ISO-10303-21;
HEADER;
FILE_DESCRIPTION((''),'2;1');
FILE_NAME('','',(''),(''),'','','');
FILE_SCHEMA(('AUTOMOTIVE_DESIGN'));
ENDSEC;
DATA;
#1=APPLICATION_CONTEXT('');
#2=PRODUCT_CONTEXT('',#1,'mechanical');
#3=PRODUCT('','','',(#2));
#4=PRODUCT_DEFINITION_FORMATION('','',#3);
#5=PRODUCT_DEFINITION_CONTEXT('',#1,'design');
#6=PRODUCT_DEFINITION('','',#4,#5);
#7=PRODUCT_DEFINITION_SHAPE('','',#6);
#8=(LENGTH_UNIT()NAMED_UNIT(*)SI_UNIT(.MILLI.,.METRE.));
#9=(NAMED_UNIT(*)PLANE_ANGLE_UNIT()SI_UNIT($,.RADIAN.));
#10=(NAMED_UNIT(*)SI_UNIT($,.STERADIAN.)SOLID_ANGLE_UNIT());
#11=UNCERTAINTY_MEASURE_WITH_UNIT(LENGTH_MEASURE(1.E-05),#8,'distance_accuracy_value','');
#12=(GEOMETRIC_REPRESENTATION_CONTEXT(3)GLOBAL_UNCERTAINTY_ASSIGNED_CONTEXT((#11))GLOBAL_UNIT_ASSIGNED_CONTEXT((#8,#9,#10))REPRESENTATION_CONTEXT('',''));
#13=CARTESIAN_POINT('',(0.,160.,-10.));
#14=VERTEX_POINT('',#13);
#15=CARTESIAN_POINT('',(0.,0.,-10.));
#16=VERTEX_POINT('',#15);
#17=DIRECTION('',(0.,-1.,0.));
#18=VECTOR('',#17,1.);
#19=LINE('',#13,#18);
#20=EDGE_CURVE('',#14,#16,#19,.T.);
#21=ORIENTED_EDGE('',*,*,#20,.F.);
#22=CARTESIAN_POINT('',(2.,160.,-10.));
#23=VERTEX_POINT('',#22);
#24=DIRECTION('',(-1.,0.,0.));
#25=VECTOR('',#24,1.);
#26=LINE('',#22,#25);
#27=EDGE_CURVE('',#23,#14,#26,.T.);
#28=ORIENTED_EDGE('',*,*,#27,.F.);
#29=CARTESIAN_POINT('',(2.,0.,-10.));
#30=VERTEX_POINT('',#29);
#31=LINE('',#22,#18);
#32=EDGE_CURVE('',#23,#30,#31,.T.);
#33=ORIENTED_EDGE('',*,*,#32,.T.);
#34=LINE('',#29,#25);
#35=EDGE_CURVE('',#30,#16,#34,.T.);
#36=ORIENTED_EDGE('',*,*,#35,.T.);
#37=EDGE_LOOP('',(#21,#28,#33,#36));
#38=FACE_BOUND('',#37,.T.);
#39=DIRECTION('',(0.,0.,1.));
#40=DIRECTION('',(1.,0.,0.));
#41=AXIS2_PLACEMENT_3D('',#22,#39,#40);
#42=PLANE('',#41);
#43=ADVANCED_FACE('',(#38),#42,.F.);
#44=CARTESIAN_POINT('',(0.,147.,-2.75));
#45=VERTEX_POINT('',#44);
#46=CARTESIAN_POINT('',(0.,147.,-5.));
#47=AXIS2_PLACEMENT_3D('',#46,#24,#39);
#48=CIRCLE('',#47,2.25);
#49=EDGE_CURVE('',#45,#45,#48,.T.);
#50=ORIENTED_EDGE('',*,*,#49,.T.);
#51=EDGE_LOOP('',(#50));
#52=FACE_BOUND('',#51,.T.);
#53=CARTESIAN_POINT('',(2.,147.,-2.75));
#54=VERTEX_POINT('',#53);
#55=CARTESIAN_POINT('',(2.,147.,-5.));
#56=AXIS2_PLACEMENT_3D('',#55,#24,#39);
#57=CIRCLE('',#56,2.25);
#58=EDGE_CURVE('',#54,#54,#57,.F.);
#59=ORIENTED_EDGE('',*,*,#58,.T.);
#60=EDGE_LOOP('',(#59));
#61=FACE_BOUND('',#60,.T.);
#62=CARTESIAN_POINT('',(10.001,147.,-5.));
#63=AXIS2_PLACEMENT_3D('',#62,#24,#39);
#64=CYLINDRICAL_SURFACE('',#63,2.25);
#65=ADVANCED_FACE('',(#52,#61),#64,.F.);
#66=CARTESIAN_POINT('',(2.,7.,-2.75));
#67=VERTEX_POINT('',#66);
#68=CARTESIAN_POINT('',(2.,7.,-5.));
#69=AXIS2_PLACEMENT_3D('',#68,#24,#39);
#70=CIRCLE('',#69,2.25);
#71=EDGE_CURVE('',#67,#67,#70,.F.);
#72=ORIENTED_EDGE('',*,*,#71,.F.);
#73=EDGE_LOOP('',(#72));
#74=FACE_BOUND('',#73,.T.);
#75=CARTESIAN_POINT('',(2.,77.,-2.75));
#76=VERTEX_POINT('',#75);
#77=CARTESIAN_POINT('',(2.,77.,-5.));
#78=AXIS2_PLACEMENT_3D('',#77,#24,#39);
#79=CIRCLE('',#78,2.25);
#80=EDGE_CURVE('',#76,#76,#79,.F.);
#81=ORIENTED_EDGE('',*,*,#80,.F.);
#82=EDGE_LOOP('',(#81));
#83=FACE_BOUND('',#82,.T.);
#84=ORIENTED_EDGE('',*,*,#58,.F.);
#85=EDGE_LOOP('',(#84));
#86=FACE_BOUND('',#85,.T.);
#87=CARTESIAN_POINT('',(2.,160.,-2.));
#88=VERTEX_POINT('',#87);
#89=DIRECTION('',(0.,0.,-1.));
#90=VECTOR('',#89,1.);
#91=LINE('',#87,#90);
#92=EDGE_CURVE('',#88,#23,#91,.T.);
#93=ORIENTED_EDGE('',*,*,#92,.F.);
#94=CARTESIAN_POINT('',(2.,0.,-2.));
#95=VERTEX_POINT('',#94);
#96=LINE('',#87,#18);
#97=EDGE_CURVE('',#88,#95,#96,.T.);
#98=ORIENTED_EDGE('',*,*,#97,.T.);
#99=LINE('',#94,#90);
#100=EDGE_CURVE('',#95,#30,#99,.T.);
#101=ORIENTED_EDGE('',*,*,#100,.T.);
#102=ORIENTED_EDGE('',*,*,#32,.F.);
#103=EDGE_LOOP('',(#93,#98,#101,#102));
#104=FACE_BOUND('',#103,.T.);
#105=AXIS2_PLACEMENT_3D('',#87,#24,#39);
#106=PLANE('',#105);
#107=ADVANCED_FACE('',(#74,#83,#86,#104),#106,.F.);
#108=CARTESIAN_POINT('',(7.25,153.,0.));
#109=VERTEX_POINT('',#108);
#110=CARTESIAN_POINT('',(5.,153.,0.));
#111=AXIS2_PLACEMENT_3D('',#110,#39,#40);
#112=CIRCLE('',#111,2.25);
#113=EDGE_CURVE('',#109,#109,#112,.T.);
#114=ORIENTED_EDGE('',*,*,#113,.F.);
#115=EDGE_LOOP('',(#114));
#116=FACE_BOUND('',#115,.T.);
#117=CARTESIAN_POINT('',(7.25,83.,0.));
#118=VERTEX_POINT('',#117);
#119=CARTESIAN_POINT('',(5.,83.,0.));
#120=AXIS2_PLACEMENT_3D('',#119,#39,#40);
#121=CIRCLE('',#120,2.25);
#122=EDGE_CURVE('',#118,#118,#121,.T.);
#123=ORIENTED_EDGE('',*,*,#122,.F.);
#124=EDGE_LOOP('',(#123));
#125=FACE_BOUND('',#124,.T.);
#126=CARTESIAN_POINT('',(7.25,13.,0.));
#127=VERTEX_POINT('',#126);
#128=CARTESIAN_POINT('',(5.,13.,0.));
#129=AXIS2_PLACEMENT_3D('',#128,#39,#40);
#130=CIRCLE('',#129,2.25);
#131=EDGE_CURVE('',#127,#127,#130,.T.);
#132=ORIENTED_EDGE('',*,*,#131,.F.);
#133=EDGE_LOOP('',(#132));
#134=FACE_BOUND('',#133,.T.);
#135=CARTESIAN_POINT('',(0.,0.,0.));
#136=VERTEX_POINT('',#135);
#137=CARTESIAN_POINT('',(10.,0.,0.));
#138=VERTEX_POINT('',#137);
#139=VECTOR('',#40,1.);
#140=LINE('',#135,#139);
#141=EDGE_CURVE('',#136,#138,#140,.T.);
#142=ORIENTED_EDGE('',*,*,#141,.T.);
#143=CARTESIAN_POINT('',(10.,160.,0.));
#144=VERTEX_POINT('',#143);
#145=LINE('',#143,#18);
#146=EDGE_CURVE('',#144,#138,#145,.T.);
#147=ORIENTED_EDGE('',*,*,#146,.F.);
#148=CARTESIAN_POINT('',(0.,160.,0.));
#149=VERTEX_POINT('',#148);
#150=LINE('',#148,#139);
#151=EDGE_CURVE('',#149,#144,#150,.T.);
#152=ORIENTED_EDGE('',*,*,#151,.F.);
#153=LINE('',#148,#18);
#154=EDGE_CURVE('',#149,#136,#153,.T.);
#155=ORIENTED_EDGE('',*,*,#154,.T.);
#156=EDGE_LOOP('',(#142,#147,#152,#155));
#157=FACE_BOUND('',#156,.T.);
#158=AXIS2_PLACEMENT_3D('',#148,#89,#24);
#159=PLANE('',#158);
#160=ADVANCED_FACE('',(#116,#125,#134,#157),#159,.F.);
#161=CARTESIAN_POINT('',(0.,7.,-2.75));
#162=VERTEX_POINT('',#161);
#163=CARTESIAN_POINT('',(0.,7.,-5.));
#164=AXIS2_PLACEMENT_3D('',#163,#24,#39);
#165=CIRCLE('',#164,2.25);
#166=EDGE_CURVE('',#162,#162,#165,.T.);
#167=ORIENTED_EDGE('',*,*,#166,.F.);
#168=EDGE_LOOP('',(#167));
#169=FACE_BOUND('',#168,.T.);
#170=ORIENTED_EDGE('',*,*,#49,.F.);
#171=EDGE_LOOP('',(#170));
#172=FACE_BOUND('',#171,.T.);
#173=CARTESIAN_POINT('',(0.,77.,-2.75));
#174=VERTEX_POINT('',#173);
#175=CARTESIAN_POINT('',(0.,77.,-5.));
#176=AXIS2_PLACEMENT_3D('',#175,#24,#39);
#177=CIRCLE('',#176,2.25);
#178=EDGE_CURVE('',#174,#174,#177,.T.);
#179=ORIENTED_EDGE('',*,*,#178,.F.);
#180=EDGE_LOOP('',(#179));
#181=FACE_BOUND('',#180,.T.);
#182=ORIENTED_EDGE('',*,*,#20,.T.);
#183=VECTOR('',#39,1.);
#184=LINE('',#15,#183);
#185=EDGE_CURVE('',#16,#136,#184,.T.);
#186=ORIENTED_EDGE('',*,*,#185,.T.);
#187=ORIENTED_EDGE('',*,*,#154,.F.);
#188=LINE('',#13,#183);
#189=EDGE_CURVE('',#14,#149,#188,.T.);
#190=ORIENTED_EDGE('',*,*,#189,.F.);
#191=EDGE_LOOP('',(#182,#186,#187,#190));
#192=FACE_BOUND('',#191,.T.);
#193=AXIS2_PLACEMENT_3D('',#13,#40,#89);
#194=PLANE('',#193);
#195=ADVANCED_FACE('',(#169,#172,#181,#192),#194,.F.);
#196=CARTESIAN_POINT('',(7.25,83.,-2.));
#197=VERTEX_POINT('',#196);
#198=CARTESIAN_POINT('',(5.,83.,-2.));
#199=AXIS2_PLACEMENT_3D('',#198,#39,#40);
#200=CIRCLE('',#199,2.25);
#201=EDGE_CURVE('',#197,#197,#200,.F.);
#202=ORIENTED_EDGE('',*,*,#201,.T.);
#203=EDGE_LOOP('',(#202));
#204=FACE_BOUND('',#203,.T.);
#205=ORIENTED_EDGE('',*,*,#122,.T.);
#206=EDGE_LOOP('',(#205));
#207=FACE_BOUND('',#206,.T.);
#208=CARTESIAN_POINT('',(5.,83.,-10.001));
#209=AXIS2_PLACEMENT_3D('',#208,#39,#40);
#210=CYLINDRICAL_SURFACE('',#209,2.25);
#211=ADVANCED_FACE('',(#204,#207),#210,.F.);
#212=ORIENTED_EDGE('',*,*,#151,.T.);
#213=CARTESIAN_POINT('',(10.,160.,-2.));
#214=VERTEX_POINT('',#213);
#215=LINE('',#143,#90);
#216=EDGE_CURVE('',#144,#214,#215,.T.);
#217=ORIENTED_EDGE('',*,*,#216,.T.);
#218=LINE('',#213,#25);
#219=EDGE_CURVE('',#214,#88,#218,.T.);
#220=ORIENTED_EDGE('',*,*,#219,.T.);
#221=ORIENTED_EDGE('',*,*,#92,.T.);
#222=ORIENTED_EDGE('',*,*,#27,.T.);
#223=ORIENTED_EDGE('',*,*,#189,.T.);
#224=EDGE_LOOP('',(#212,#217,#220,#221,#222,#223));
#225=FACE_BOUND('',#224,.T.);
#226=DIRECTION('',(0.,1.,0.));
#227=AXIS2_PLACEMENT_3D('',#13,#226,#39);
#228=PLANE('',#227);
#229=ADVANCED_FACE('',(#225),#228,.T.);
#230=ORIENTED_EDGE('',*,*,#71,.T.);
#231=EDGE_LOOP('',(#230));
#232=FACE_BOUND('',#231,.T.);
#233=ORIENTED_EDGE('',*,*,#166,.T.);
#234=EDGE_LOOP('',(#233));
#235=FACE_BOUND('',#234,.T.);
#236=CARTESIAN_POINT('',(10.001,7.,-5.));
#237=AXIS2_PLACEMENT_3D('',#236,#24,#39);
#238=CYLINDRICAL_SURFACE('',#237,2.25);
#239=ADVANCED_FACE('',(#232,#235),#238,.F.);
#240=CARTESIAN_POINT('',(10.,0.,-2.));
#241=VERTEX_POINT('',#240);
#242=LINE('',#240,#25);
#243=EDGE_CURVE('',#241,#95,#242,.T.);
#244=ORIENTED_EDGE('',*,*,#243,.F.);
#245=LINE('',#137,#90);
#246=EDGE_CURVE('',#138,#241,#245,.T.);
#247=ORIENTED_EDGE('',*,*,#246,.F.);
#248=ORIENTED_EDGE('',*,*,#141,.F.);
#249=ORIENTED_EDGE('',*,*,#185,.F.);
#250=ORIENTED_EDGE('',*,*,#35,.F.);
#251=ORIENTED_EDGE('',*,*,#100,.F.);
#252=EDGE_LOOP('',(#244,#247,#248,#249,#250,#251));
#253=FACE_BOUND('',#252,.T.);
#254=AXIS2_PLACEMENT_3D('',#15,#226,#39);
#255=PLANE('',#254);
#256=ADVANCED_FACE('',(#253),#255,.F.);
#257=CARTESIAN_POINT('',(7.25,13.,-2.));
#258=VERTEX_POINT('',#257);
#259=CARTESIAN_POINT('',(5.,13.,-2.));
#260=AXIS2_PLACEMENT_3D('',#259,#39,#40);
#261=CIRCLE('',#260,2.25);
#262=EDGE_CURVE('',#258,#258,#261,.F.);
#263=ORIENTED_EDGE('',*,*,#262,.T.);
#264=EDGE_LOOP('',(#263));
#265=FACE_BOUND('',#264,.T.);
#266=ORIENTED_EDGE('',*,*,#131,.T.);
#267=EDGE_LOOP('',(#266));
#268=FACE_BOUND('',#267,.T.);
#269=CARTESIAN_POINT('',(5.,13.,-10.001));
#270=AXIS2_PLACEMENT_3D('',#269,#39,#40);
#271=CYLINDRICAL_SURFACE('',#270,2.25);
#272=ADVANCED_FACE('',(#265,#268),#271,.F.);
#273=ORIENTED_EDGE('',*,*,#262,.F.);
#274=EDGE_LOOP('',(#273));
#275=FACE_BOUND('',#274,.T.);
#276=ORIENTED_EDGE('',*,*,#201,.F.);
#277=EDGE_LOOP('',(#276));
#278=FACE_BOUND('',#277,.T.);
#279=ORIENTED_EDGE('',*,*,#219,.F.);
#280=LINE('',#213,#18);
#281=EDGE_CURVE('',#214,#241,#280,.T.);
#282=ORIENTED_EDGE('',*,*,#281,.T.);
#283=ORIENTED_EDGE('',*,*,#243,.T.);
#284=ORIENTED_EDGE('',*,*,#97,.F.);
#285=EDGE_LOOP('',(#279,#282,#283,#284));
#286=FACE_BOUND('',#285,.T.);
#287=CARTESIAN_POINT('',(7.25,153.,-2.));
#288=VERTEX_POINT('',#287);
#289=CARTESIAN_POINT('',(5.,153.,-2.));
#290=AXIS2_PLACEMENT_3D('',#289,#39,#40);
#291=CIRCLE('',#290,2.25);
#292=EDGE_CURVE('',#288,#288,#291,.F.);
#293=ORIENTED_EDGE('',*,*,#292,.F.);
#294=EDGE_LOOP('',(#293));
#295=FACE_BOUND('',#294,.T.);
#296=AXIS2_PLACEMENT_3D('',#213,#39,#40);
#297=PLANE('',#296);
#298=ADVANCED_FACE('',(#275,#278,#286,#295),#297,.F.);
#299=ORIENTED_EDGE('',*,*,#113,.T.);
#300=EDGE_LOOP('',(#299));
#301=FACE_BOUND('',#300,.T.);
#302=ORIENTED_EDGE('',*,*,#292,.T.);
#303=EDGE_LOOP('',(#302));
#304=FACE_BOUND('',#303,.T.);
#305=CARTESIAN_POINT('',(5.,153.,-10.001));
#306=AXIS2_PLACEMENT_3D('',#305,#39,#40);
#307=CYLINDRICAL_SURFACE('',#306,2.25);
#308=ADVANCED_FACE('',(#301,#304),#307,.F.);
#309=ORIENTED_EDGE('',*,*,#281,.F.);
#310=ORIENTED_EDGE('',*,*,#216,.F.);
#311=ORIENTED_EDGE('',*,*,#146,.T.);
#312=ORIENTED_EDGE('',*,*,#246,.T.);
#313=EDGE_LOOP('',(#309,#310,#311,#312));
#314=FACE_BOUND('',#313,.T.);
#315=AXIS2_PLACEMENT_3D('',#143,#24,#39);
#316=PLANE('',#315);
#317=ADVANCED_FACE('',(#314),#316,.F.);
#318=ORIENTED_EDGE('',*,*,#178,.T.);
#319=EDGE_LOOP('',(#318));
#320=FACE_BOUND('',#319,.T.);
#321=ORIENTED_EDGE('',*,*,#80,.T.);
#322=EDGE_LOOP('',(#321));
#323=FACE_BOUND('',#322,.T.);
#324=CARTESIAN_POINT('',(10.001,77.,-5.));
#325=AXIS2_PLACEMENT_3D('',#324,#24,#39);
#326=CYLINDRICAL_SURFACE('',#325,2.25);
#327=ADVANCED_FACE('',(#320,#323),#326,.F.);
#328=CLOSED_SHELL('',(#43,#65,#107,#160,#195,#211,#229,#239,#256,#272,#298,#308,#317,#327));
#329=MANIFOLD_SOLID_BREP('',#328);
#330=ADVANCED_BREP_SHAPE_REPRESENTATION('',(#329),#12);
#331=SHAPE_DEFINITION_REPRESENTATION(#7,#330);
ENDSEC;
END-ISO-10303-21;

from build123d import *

# Parameters (mm, degrees)
EXTRUDE_1_DEPTH     = 160
CUT_EXTRUDE_1_REACH = 12
SKETCH_2_R          = 2.25
CUT_EXTRUDE_2_REACH = 12
SKETCH_3_R          = 2.25


with BuildPart() as part:
    # Эскиз1 → Бобышка-Вытянуть1 (new body)
    with BuildSketch(Plane(origin=(0, 0, 0), x_dir=(1, 0, 0), z_dir=(0, 1, 0))):
        Polygon((0, 10), (0, 0), (10, 0), (10, 2), (2, 2), (2, 10), align=None)
    extrude(amount=EXTRUDE_1_DEPTH)

    # Эскиз2 → Вырез-Вытянуть1 (cut, up to next)
    with BuildSketch(Plane.XY, mode=Mode.PRIVATE) as cut_extrude_1_sk1:
        with Locations((5, 13)):
            Circle(SKETCH_2_R)
    cut_extrude_1_tool1 = extrude(cut_extrude_1_sk1.sketch, amount=-CUT_EXTRUDE_1_REACH, mode=Mode.PRIVATE) & part.part
    add(cut_extrude_1_tool1.solids().sort_by_distance((5, 13, 0))[0], mode=Mode.SUBTRACT)
    # Эскиз2 → Вырез-Вытянуть1 (cut, up to next)
    with BuildSketch(Plane.XY, mode=Mode.PRIVATE) as cut_extrude_1_sk2:
        with Locations((5, 83)):
            Circle(SKETCH_2_R)
    cut_extrude_1_tool2 = extrude(cut_extrude_1_sk2.sketch, amount=-CUT_EXTRUDE_1_REACH, mode=Mode.PRIVATE) & part.part
    add(cut_extrude_1_tool2.solids().sort_by_distance((5, 83, 0))[0], mode=Mode.SUBTRACT)
    # Эскиз2 → Вырез-Вытянуть1 (cut, up to next)
    with BuildSketch(Plane.XY, mode=Mode.PRIVATE) as cut_extrude_1_sk3:
        with Locations((5, 153)):
            Circle(SKETCH_2_R)
    cut_extrude_1_tool3 = extrude(cut_extrude_1_sk3.sketch, amount=-CUT_EXTRUDE_1_REACH, mode=Mode.PRIVATE) & part.part
    add(cut_extrude_1_tool3.solids().sort_by_distance((5, 153, 0))[0], mode=Mode.SUBTRACT)

    # Эскиз3 → Вырез-Вытянуть2 (cut, up to next)
    with BuildSketch(Plane.ZY, mode=Mode.PRIVATE) as cut_extrude_2_sk1:
        with Locations((-5, 7)):
            Circle(SKETCH_3_R)
    cut_extrude_2_tool1 = extrude(cut_extrude_2_sk1.sketch, amount=-CUT_EXTRUDE_2_REACH, mode=Mode.PRIVATE) & part.part
    add(cut_extrude_2_tool1.solids().sort_by_distance((0, 7, -5))[0], mode=Mode.SUBTRACT)
    # Эскиз3 → Вырез-Вытянуть2 (cut, up to next)
    with BuildSketch(Plane.ZY, mode=Mode.PRIVATE) as cut_extrude_2_sk2:
        with Locations((-5, 77)):
            Circle(SKETCH_3_R)
    cut_extrude_2_tool2 = extrude(cut_extrude_2_sk2.sketch, amount=-CUT_EXTRUDE_2_REACH, mode=Mode.PRIVATE) & part.part
    add(cut_extrude_2_tool2.solids().sort_by_distance((0, 77, -5))[0], mode=Mode.SUBTRACT)
    # Эскиз3 → Вырез-Вытянуть2 (cut, up to next)
    with BuildSketch(Plane.ZY, mode=Mode.PRIVATE) as cut_extrude_2_sk3:
        with Locations((-5, 147)):
            Circle(SKETCH_3_R)
    cut_extrude_2_tool3 = extrude(cut_extrude_2_sk3.sketch, amount=-CUT_EXTRUDE_2_REACH, mode=Mode.PRIVATE) & part.part
    add(cut_extrude_2_tool3.solids().sort_by_distance((0, 147, -5))[0], mode=Mode.SUBTRACT)


solid = part.part
